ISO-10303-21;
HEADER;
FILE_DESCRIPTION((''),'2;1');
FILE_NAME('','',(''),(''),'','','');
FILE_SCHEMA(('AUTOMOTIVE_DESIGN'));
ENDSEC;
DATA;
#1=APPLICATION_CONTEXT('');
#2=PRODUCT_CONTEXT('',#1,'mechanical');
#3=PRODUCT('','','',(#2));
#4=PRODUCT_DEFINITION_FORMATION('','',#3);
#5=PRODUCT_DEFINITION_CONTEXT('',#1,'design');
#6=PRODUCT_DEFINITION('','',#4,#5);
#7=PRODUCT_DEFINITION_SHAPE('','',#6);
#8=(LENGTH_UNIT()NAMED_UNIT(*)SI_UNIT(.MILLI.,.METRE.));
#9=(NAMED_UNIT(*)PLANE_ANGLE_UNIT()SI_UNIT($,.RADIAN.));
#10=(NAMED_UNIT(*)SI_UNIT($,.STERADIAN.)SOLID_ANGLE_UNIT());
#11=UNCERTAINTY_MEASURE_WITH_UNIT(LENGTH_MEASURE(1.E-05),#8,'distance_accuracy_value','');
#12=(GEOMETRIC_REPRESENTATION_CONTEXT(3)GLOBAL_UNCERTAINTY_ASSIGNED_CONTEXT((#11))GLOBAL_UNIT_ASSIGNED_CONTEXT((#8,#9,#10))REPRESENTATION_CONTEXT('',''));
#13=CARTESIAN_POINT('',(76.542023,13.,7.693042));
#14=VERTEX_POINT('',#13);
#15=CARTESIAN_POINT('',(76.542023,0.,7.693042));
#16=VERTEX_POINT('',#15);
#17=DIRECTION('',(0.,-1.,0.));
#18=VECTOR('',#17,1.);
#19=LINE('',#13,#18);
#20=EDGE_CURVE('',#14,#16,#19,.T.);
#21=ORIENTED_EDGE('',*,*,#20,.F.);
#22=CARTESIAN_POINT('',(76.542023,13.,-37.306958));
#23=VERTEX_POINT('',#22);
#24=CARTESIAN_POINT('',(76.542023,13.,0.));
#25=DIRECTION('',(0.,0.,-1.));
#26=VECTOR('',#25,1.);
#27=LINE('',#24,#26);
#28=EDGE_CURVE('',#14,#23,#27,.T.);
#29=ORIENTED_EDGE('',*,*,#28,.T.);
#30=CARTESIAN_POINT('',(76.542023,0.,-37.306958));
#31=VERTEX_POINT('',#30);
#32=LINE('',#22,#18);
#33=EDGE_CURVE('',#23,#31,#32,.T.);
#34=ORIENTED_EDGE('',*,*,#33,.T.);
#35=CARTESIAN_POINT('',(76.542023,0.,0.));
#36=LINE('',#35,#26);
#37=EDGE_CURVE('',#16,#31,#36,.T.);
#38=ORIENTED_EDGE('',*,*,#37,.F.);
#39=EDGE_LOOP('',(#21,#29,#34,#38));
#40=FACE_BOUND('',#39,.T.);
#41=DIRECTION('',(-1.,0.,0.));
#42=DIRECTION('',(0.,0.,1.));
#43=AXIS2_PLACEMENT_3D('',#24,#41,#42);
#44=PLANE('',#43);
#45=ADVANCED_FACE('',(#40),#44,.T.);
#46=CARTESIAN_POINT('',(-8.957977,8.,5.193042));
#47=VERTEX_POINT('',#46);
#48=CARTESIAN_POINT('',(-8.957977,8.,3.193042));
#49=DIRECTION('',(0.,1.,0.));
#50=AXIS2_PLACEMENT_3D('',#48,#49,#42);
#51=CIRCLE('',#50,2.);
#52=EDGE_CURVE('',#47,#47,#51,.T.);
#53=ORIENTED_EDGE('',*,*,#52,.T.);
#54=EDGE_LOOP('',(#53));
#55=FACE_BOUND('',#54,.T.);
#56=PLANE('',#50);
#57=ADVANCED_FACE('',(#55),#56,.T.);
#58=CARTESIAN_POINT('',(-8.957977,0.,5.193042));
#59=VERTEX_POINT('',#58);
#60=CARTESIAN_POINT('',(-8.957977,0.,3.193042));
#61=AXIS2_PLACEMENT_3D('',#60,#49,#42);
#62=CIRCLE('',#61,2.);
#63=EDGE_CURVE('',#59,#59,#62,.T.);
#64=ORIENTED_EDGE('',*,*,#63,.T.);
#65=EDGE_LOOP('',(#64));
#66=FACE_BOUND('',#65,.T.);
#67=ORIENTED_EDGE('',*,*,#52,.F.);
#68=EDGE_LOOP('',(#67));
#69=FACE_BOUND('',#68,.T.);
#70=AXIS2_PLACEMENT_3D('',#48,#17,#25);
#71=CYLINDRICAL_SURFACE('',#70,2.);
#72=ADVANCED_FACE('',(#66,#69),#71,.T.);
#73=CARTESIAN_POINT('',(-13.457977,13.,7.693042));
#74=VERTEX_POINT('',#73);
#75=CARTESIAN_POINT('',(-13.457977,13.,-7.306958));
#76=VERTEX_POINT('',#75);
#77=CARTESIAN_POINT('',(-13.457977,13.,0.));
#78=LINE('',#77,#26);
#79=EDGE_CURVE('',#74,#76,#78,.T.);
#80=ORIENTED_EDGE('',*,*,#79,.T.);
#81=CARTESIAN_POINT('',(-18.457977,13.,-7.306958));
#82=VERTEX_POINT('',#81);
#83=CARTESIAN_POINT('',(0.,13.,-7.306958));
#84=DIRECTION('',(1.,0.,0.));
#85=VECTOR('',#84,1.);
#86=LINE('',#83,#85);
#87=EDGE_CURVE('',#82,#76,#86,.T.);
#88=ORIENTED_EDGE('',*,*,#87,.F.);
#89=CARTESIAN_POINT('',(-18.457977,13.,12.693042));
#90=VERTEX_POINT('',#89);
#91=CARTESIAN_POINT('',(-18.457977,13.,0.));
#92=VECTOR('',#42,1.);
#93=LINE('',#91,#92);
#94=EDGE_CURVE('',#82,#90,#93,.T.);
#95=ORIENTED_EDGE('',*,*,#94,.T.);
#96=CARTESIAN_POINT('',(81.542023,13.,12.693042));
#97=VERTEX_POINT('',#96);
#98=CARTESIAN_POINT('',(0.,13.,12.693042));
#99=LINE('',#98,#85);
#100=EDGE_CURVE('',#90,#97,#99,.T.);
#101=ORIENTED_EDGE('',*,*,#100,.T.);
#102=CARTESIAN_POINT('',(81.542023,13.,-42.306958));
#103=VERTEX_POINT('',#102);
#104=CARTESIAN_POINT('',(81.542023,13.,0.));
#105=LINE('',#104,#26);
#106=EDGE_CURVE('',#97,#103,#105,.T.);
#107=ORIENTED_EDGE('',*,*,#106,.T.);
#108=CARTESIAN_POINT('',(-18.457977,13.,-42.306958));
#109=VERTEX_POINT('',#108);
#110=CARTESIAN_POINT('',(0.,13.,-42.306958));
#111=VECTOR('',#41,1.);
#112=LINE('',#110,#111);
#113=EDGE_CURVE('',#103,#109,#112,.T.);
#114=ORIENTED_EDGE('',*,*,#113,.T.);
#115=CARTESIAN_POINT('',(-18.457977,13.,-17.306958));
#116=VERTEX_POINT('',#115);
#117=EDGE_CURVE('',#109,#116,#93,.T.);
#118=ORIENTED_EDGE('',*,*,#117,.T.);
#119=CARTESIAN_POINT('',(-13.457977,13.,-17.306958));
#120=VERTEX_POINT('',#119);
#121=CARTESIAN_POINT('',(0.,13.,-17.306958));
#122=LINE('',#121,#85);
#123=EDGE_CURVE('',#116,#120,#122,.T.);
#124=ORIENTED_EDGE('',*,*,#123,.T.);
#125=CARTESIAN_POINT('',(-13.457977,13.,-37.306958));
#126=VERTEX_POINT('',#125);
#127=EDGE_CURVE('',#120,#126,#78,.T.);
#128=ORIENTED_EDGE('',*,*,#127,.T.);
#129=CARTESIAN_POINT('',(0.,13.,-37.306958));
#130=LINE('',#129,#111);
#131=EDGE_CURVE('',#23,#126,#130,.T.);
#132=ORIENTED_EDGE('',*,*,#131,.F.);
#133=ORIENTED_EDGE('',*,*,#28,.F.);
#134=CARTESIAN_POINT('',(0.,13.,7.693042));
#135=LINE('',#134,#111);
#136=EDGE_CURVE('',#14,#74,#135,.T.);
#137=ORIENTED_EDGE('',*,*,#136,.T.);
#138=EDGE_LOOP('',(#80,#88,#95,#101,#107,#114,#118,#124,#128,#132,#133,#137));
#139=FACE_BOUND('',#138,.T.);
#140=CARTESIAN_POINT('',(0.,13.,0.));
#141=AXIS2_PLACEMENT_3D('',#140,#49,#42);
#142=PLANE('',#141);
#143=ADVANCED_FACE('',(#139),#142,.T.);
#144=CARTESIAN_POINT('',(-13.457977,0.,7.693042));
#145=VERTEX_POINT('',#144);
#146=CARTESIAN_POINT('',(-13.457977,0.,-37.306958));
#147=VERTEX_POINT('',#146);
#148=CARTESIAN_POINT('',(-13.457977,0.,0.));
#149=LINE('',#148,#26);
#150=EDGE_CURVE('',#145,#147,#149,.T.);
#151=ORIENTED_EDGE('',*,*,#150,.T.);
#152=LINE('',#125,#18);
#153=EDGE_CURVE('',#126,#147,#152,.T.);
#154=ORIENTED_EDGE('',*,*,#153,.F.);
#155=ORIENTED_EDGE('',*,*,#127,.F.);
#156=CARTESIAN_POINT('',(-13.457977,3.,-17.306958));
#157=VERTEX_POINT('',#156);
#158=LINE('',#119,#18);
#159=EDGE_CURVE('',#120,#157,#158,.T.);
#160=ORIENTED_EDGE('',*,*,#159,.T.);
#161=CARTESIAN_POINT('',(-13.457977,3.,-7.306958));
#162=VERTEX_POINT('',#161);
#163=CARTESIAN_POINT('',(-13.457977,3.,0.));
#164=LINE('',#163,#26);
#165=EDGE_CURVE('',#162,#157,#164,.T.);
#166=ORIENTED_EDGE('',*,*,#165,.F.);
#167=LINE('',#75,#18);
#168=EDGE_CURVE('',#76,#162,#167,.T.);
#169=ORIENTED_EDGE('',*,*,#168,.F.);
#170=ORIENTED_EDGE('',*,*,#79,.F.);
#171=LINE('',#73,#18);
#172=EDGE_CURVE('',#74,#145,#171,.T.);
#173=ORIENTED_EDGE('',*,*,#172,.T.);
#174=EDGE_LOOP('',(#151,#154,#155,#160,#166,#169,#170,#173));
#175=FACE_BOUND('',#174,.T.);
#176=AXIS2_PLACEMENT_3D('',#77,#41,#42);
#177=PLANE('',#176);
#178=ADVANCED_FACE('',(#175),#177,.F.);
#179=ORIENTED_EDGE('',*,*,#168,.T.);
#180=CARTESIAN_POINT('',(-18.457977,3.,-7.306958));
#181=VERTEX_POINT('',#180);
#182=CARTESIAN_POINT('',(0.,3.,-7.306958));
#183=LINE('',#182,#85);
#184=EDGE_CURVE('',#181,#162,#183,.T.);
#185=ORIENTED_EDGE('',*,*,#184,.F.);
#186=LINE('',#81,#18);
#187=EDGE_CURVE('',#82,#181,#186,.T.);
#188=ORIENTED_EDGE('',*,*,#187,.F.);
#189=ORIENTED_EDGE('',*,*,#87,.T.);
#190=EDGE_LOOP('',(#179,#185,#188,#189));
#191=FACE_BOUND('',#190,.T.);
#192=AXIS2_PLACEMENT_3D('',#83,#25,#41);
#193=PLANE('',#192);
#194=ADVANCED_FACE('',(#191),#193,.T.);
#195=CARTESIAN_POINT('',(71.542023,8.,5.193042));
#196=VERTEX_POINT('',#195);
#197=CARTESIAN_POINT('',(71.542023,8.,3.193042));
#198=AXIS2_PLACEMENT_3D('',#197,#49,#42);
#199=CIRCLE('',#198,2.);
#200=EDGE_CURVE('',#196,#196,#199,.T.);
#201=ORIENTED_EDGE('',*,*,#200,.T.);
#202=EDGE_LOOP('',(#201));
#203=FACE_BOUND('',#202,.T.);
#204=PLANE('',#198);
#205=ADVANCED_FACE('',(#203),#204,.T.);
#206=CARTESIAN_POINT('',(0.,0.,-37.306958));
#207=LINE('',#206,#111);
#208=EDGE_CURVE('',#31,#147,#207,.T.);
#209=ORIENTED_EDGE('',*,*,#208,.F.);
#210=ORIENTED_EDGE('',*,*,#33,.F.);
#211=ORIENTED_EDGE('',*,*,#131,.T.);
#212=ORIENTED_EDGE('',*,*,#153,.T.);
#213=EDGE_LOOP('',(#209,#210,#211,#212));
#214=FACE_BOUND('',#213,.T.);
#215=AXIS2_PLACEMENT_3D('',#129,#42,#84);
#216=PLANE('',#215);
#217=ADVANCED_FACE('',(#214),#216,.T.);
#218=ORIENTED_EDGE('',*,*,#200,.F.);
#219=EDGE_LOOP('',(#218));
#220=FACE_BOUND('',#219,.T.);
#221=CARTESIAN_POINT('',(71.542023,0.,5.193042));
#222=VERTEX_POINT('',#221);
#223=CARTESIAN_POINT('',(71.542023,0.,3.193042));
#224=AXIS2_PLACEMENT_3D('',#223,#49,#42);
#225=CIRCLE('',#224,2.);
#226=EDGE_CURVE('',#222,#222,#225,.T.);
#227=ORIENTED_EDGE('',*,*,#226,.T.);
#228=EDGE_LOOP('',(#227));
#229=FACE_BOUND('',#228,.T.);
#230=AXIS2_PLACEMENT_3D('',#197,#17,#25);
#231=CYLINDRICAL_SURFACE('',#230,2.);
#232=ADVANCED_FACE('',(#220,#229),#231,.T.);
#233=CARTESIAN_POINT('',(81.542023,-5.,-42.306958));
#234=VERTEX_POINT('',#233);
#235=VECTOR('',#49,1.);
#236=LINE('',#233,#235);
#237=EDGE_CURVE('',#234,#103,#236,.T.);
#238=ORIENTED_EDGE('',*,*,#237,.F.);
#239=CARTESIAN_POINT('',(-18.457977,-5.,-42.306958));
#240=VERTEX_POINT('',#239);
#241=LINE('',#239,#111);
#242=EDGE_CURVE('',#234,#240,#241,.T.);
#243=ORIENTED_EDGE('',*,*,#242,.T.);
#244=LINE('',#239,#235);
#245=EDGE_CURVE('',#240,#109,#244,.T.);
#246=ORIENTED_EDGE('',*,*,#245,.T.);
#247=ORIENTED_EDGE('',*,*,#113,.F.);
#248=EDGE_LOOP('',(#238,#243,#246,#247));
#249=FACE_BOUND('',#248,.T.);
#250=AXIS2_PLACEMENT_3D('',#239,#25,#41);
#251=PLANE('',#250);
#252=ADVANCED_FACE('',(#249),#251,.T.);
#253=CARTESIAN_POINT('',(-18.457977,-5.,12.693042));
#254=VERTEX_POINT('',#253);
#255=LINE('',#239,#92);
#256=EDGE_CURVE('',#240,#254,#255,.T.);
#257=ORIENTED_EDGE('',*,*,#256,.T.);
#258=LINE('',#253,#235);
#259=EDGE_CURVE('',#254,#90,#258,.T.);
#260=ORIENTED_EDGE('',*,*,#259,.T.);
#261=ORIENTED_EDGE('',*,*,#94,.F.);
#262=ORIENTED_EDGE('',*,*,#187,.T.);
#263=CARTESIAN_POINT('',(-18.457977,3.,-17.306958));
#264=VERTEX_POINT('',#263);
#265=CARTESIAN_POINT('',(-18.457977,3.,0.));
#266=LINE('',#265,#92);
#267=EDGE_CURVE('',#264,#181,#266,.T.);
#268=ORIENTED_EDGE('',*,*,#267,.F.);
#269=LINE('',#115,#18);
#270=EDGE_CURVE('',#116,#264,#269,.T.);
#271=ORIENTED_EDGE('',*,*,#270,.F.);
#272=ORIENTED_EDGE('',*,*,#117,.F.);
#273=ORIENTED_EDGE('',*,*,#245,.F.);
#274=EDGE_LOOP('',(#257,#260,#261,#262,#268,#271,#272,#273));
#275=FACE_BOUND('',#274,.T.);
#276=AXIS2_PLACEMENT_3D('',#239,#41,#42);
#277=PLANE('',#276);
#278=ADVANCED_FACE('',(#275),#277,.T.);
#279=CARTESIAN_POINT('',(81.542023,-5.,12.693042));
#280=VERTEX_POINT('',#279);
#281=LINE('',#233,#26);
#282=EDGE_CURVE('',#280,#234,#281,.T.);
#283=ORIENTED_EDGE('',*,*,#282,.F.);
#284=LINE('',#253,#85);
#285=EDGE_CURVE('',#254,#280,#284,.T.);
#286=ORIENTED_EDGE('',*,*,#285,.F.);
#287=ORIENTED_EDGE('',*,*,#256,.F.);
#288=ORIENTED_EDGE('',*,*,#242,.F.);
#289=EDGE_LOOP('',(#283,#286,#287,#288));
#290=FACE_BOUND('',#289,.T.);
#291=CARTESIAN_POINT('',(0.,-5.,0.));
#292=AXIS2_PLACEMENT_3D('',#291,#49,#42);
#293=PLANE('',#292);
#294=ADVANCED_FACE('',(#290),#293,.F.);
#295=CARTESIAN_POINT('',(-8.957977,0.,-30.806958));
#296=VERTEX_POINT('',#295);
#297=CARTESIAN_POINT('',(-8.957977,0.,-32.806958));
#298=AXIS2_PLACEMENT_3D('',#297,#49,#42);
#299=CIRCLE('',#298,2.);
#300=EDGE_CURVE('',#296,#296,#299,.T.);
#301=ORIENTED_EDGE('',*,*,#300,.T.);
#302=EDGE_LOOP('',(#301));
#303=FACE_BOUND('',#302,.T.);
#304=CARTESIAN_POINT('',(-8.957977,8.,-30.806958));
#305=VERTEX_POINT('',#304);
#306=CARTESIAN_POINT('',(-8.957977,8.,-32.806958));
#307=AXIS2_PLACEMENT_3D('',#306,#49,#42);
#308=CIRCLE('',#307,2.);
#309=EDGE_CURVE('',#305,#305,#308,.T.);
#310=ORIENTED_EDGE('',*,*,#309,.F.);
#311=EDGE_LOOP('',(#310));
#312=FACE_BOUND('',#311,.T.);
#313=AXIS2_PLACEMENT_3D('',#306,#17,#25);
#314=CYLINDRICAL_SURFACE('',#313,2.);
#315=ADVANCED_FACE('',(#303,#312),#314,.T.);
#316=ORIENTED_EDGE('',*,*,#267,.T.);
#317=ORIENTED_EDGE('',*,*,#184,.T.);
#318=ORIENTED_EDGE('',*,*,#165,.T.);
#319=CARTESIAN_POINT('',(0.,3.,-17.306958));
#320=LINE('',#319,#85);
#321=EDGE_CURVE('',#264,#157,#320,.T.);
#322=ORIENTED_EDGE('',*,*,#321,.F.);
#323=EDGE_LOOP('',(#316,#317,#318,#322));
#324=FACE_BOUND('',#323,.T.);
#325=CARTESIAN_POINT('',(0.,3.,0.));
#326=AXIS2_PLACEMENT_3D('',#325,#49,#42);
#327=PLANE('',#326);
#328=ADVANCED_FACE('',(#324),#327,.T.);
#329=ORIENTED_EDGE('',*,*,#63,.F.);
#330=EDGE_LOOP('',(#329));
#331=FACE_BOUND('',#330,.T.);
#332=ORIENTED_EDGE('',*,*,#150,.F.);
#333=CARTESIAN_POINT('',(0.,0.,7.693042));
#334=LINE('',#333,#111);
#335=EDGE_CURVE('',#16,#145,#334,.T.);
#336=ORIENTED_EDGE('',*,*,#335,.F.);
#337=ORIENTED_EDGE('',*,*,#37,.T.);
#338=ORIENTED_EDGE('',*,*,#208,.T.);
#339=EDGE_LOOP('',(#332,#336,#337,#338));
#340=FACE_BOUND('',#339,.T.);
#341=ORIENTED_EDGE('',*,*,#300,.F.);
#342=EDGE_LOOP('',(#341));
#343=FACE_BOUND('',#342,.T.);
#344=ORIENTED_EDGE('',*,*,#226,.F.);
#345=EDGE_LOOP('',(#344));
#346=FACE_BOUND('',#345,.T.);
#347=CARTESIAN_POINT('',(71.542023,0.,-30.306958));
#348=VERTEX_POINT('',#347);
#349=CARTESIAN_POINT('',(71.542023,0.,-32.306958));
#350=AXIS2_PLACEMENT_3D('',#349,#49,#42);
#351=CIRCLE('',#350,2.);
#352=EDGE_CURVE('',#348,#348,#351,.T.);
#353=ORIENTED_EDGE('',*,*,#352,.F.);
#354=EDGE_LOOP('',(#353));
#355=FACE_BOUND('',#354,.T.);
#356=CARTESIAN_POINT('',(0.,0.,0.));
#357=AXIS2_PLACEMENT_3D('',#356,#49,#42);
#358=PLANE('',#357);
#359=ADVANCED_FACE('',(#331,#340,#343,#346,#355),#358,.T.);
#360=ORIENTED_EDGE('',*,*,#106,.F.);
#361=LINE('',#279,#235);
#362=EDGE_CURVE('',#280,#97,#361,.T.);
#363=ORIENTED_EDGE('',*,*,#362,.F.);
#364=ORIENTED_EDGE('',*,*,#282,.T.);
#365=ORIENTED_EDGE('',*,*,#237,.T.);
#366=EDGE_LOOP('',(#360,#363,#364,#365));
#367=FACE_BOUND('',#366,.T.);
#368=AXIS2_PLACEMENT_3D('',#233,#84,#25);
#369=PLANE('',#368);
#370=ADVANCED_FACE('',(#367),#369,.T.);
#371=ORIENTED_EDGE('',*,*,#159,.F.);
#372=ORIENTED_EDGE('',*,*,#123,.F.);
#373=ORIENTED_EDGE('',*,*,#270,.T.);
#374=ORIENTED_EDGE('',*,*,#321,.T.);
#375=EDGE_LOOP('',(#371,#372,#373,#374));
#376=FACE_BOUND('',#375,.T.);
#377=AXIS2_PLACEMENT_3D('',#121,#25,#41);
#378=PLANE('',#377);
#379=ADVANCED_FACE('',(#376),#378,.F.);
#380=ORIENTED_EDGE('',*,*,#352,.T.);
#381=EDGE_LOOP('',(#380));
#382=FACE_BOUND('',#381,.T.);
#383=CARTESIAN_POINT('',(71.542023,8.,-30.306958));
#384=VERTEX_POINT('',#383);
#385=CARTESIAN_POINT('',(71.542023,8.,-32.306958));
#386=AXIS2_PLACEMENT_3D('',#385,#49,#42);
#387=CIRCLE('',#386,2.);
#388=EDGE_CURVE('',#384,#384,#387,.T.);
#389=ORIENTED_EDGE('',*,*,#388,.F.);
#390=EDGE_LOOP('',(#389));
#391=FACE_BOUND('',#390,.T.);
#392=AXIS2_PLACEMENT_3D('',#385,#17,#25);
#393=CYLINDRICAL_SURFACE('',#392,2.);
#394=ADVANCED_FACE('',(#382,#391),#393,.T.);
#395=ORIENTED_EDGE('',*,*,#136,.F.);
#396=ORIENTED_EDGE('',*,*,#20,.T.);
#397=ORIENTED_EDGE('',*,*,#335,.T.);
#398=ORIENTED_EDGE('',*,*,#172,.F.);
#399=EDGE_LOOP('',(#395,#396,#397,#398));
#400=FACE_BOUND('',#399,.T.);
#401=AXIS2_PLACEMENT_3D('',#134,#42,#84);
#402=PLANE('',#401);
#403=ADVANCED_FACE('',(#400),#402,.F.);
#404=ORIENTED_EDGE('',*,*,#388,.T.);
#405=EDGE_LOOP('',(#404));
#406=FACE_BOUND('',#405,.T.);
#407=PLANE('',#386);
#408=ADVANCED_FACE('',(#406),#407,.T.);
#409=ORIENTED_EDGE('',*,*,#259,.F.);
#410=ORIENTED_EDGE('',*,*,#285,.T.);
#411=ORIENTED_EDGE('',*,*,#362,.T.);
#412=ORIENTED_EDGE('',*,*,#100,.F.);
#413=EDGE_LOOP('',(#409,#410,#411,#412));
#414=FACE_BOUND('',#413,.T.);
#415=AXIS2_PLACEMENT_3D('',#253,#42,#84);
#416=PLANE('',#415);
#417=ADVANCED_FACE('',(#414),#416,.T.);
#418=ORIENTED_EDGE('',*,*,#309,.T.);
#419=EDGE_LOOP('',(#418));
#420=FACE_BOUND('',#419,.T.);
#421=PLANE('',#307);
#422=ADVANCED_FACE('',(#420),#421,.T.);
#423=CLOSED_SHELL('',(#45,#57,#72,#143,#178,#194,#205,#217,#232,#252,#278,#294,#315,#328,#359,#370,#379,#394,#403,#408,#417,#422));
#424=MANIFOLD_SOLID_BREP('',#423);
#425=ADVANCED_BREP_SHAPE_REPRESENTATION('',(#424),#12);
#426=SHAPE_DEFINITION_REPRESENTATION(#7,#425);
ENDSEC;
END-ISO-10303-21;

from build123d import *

# Parameters (mm, degrees)
SKETCH1_W           = 99.999999898
SKETCH1_H           = 54.999999982
BOSS_EXTRUDE4_DEPTH = 5
BOSS_EXTRUDE6_DEPTH = 13
SKETCH2_3_W         = 5
SKETCH2_3_H         = 10
BOSS_EXTRUDE7_DEPTH = 3
SKETCH4_R           = 2
BOSS_EXTRUDE8_DEPTH = 8


with BuildPart() as part:
    # Sketch1 → Boss-Extrude4 (new body)
    with BuildSketch(Plane(origin=(0, 0, 0), x_dir=(1, 0, 0), z_dir=(0, 1, 0))):
        with Locations((31.542022725, 14.806957854)):
            Rectangle(SKETCH1_W, SKETCH1_H)
    extrude(amount=-BOSS_EXTRUDE4_DEPTH)

    # Sketch2 → Boss-Extrude6 (add)
    with BuildSketch(Plane(origin=(0, 0, 0), x_dir=(1, 0, 0), z_dir=(0, 1, 0))):
        Polygon((81.542022674, 42.306957845), (-18.457977224, 42.306957845), (-18.457977224, 17.306957845), (-13.457977224, 17.306957845), (-13.457977224, 37.306957845), (76.542022776, 37.306957845), (76.542022776, -7.693042155), (-13.457977224, -7.693042155), (-13.457977224, 7.306957845), (-18.457977224, 7.306957845), (-18.457977224, -12.693042137), (81.542022674, -12.693042137), align=None)
    extrude(amount=BOSS_EXTRUDE6_DEPTH)

    # Sketch2<3> → Boss-Extrude7 (add)
    with BuildSketch(Plane(origin=(0, 0, 0), x_dir=(1, 0, 0), z_dir=(0, 1, 0))):
        with Locations((-15.957977224, 12.306957845)):
            Rectangle(SKETCH2_3_W, SKETCH2_3_H)
    extrude(amount=BOSS_EXTRUDE7_DEPTH)

    # Sketch4 → Boss-Extrude8 (add)
    with BuildSketch(Plane(origin=(0, 0, 0), x_dir=(1, 0, 0), z_dir=(0, 1, 0))):
        with Locations((-8.957977224, 32.806957845)):
            Circle(SKETCH4_R)
        with Locations((-8.957977224, -3.193042155)):
            Circle(SKETCH4_R)
        with Locations((71.542022776, -3.193042155)):
            Circle(SKETCH4_R)
        with Locations((71.542022776, 32.306957845)):
            Circle(SKETCH4_R)
    extrude(amount=BOSS_EXTRUDE8_DEPTH)


solid = part.part
